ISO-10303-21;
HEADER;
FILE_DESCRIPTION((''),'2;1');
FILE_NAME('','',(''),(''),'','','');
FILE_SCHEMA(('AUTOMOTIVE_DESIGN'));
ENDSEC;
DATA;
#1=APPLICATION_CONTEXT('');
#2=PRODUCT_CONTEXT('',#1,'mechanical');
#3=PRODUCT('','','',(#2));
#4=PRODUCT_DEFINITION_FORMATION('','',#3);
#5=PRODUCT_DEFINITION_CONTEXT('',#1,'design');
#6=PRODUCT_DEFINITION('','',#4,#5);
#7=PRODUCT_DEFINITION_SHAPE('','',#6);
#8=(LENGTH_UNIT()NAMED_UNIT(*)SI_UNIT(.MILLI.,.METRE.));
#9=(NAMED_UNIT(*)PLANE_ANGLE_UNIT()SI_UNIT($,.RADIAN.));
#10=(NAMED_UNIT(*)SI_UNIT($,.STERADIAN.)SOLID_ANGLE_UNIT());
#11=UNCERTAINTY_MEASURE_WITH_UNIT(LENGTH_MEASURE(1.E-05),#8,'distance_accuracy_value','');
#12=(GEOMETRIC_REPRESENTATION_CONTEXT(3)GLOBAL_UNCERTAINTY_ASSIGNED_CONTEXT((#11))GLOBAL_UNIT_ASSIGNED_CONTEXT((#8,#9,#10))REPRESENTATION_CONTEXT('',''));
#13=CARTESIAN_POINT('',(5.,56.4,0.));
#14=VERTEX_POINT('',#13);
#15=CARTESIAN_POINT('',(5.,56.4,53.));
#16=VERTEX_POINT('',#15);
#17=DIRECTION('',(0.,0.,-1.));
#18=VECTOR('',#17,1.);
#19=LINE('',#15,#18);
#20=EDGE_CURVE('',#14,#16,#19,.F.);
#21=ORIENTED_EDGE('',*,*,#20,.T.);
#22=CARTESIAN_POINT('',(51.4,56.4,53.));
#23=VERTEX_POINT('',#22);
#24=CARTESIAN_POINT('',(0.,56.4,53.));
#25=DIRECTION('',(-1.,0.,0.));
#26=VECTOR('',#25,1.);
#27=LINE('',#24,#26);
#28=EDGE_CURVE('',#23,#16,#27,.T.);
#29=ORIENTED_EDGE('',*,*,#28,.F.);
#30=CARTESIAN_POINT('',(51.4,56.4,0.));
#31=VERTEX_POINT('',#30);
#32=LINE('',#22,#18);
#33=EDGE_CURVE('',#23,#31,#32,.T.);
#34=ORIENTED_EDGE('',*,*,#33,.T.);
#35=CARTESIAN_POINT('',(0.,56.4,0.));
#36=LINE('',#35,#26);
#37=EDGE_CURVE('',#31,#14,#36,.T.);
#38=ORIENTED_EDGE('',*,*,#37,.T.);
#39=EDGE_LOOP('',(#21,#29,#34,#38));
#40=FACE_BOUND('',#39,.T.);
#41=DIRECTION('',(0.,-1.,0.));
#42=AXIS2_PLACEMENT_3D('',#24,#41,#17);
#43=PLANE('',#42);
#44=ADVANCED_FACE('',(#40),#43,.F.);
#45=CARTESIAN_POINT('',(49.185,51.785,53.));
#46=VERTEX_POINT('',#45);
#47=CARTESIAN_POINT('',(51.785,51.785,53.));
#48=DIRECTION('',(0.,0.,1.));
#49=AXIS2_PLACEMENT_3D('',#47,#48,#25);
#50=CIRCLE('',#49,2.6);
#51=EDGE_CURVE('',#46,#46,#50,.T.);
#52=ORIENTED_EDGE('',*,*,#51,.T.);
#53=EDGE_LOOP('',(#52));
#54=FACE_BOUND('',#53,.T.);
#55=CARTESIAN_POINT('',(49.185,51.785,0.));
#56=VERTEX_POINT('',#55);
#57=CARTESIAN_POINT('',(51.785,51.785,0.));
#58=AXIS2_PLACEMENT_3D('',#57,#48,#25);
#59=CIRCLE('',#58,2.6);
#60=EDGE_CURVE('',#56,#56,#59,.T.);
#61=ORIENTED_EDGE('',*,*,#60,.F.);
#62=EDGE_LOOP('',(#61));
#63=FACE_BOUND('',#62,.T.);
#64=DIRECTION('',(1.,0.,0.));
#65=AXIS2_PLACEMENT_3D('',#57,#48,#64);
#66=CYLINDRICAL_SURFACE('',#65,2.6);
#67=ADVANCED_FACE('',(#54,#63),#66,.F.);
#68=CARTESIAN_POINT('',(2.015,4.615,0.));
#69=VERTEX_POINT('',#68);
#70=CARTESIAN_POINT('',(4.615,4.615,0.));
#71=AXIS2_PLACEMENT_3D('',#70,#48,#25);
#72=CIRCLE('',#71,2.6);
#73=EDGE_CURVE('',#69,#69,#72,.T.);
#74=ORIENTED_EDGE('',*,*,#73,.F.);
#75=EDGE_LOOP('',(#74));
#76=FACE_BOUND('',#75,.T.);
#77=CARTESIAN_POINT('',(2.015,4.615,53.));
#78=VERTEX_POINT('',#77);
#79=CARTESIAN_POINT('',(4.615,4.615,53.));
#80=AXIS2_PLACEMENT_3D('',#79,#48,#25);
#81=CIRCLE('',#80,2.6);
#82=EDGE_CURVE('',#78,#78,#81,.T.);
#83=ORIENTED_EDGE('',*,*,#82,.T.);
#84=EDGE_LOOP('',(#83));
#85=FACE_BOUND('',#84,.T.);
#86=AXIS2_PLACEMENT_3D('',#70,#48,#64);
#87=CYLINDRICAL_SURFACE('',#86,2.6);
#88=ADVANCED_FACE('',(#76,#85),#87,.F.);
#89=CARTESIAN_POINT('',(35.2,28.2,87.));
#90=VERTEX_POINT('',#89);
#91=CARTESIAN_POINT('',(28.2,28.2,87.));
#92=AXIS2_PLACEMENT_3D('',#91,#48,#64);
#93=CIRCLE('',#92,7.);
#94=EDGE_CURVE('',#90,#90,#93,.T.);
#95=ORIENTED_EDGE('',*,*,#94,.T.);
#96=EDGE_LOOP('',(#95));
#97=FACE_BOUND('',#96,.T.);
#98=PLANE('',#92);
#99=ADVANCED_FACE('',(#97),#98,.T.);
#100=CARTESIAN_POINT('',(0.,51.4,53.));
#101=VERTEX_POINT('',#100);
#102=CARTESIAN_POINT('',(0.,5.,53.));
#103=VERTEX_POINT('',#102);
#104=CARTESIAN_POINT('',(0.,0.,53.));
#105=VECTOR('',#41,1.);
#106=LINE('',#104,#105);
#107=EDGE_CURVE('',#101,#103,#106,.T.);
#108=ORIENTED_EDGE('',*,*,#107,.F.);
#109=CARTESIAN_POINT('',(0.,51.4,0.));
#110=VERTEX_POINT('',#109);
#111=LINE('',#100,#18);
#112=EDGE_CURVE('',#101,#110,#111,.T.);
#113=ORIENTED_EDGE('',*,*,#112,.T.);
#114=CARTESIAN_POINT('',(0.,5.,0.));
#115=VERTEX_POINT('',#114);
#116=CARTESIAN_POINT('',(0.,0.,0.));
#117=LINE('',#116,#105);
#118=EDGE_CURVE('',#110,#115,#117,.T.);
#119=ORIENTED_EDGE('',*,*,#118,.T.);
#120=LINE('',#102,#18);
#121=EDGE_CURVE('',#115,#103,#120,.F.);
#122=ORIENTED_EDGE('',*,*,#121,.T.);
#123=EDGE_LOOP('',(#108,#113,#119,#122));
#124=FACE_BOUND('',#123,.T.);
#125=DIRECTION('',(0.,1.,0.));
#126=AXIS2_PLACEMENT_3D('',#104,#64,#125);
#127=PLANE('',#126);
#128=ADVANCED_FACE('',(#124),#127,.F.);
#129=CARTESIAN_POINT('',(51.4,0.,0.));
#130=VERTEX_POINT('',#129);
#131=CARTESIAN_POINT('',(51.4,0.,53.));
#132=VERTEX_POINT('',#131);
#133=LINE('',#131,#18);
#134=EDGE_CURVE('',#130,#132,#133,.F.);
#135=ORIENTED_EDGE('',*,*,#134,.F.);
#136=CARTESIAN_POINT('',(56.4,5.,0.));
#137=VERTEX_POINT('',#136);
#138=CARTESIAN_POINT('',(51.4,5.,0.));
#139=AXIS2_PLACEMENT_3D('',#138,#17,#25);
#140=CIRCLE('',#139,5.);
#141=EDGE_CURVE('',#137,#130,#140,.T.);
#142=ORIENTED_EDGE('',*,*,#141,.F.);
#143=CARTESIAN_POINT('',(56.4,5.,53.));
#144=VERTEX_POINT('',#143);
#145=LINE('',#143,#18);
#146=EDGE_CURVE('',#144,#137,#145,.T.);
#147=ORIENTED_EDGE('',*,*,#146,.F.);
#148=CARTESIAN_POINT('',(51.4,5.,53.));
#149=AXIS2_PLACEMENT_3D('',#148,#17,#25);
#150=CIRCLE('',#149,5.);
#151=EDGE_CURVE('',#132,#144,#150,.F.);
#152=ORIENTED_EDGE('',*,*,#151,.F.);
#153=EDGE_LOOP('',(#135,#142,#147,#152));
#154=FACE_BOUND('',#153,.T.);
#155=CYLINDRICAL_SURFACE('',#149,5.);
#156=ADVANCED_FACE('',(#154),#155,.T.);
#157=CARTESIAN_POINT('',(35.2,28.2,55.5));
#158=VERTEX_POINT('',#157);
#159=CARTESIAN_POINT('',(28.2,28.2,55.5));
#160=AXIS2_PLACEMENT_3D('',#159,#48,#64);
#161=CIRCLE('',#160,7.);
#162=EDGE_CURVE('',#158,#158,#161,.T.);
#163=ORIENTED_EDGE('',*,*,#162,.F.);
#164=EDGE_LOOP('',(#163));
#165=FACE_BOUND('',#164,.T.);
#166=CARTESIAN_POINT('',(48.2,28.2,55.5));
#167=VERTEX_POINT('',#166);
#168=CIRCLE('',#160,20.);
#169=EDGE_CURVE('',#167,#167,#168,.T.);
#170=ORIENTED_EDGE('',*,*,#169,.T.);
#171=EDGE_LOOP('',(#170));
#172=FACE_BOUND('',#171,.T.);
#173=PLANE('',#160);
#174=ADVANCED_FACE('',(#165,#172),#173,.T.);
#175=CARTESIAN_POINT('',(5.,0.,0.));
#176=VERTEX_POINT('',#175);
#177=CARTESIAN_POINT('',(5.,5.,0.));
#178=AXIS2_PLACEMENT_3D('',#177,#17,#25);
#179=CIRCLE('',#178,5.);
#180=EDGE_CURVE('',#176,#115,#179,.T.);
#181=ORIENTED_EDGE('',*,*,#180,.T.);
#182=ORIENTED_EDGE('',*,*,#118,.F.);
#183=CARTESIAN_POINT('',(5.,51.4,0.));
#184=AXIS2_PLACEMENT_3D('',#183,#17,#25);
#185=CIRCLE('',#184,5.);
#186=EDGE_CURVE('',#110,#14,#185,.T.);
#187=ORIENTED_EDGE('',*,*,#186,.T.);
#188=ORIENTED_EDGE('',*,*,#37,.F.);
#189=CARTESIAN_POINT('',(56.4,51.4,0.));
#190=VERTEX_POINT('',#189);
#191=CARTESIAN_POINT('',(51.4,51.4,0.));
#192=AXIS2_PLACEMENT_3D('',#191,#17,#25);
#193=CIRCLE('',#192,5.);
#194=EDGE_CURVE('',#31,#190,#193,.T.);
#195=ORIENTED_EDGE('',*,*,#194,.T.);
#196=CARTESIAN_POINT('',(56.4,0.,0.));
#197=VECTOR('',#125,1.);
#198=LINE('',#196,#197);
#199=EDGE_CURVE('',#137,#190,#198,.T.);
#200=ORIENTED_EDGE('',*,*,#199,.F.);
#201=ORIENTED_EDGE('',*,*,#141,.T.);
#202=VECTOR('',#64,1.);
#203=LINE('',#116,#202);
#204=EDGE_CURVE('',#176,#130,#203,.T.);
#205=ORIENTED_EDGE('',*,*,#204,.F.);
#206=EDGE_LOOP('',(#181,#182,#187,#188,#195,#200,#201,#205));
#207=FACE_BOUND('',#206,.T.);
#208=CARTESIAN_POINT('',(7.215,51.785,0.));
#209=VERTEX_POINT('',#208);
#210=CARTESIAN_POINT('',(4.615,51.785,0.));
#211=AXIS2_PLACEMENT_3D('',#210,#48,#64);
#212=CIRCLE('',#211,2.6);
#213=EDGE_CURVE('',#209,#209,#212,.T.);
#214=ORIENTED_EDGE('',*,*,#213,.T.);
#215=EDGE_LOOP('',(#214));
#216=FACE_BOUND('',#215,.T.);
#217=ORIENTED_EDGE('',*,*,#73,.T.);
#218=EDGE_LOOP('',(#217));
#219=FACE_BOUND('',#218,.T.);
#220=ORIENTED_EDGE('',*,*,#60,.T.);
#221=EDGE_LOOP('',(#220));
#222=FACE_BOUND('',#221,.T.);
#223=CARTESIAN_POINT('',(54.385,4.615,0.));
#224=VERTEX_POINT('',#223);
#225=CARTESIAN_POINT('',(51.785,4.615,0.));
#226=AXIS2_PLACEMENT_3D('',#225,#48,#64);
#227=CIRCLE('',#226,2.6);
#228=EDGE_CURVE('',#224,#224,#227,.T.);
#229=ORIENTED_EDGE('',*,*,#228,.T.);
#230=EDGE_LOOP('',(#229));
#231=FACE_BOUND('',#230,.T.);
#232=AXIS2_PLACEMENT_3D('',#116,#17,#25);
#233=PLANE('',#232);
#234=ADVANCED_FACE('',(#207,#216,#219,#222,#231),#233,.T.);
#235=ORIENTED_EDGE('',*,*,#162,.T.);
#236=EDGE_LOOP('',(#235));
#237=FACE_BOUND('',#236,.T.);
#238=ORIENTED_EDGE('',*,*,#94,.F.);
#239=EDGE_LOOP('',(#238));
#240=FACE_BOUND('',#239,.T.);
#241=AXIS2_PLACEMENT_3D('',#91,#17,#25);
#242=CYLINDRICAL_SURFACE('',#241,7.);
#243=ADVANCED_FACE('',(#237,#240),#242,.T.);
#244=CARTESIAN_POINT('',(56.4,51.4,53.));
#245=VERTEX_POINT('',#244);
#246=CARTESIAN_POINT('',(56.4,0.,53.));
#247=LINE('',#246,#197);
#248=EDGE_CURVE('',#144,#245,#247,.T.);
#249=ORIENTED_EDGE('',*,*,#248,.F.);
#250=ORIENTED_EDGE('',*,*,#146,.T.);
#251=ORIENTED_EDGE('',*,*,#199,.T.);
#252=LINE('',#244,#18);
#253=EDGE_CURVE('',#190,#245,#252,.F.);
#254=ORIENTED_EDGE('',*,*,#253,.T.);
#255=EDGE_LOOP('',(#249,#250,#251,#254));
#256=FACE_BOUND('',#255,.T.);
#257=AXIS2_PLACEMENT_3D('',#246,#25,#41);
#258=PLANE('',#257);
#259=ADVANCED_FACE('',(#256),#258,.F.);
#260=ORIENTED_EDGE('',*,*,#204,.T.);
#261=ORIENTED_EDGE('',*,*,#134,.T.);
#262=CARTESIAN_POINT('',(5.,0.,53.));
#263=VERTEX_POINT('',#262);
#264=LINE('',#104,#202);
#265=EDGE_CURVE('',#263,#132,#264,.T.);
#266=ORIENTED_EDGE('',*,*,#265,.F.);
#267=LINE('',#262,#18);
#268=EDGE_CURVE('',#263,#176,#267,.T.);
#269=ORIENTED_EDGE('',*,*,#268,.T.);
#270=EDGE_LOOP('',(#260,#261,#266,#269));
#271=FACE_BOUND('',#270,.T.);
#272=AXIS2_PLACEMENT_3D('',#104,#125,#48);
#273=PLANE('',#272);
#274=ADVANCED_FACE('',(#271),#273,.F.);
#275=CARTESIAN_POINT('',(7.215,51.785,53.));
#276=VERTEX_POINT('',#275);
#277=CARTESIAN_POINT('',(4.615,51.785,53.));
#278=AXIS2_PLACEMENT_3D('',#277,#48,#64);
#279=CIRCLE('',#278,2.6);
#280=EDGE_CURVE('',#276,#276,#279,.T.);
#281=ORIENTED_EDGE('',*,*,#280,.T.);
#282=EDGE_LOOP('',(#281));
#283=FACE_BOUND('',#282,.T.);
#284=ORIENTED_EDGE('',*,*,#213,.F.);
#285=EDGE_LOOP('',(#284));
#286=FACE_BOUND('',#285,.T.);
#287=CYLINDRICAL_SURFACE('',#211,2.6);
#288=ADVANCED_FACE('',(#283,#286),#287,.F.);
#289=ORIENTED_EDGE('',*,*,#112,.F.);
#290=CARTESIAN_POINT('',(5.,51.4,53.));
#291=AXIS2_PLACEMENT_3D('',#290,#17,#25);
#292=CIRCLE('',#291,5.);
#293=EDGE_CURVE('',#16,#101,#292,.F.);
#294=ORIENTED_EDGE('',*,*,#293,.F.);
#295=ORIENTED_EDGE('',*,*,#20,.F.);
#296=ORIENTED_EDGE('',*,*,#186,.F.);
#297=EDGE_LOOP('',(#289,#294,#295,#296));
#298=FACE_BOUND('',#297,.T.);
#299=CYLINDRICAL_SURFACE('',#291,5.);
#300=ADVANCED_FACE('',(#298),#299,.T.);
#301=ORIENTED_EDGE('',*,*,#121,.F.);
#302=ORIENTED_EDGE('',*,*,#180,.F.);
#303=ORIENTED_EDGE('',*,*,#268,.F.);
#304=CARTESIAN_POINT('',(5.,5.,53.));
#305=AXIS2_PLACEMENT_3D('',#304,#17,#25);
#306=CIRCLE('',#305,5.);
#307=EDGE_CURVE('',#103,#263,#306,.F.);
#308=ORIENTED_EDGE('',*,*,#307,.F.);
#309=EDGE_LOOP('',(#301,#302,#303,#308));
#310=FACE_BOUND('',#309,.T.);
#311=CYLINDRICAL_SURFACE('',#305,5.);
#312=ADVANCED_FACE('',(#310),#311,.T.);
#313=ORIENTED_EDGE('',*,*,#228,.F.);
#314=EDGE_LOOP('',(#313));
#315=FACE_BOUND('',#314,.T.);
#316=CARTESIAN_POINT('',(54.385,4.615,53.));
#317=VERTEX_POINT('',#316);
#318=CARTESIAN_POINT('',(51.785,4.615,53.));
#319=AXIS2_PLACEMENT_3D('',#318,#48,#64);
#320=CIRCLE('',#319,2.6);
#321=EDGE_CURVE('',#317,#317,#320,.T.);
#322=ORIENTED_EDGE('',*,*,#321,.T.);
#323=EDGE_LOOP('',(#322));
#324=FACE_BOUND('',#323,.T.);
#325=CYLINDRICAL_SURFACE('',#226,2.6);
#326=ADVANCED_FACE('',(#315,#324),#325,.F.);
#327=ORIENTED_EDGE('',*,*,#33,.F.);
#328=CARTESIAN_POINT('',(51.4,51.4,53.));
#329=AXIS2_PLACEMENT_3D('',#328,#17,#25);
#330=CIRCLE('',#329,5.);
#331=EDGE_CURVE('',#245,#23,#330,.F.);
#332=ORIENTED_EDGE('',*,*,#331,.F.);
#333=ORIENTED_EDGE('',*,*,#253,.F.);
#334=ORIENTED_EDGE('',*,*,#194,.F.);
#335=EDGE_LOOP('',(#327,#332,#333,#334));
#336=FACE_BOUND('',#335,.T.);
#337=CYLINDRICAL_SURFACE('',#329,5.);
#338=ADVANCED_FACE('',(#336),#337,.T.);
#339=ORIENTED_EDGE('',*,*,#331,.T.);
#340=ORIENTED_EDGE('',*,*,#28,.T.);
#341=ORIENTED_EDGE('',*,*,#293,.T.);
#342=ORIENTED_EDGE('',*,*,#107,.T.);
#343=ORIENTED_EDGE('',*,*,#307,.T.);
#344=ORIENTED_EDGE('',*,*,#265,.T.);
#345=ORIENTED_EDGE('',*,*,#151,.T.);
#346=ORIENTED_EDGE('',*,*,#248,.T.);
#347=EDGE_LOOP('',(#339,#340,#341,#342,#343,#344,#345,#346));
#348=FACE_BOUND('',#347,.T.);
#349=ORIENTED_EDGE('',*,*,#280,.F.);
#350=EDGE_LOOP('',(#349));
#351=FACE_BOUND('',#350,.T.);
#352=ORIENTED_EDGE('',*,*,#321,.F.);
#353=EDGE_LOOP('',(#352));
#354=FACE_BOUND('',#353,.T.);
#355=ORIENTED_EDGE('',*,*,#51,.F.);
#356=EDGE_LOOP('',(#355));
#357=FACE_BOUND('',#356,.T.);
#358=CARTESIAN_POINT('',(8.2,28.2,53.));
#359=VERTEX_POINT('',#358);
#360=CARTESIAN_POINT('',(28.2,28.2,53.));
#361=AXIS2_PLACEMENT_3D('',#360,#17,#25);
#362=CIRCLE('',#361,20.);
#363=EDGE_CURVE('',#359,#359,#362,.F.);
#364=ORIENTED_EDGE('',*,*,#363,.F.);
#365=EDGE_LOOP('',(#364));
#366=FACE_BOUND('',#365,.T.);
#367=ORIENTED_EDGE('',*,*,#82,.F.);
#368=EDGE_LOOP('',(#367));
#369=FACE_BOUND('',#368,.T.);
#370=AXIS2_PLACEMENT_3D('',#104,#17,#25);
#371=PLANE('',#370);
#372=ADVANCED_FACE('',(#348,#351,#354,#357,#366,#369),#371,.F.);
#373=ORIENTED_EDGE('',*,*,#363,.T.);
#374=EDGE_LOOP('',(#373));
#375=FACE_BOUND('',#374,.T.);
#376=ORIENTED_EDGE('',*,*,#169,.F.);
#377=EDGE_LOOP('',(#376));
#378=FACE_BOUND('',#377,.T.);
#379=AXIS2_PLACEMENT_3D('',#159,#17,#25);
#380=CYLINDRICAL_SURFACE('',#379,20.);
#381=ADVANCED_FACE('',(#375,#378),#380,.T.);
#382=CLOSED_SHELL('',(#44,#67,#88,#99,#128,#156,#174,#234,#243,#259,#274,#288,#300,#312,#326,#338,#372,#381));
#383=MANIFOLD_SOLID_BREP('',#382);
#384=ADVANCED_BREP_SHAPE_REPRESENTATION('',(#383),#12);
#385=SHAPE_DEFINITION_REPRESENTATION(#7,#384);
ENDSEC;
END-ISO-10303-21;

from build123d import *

# Parameters (mm, degrees)
SKETCH_1_W          = 56.4
SKETCH_1_H          = 56.4
EXTRUDE_1_DEPTH     = 53
SKETCH_2_R          = 20
EXTRUDE_2_DEPTH     = 2.5
SKETCH_3_R          = 7
EXTRUDE_3_DEPTH     = 31.5
FILLET_1_R          = 5
SKETCH_4_R          = 2.6
CUT_EXTRUDE_1_DEPTH = 54


with BuildPart() as part:
    # 草图1 → 凸台-拉伸1 (new body)
    with BuildSketch(Plane.XY):
        with Locations((28.2, 28.2)):
            Rectangle(SKETCH_1_W, SKETCH_1_H)
    extrude(amount=EXTRUDE_1_DEPTH)

    # 草图2 → 凸台-拉伸2 (add)
    with BuildSketch(Plane.XY.offset(53)):
        with Locations((28.2, 28.2)):
            Circle(SKETCH_2_R)
    extrude(amount=EXTRUDE_2_DEPTH)

    # 草图3 → 凸台-拉伸3 (add)
    with BuildSketch(Plane.XY.offset(55.5)):
        with Locations((28.2, 28.2)):
            Circle(SKETCH_3_R)
    extrude(amount=EXTRUDE_3_DEPTH)

    # 圆角1
    fillet_1_edges = [part.edges().sort_by_distance(p)[0] for p in [
        (0, 56.4, 26.5),
        (56.4, 56.4, 26.5),
        (56.4, 0, 26.5),
        (0, 0, 26.5),
    ]]
    fillet(fillet_1_edges, radius=FILLET_1_R)

    # 草图4 → 切除-拉伸1 (cut, through all)
    with BuildSketch(Plane.XY.offset(53)):
        with Locations((4.615, 51.785)):
            Circle(SKETCH_4_R)
        with Locations((51.785, 51.785)):
            Circle(SKETCH_4_R)
        with Locations((51.785, 4.615)):
            Circle(SKETCH_4_R)
        with Locations((4.615, 4.615)):
            Circle(SKETCH_4_R)
    extrude(amount=-CUT_EXTRUDE_1_DEPTH, mode=Mode.SUBTRACT)


solid = part.part
